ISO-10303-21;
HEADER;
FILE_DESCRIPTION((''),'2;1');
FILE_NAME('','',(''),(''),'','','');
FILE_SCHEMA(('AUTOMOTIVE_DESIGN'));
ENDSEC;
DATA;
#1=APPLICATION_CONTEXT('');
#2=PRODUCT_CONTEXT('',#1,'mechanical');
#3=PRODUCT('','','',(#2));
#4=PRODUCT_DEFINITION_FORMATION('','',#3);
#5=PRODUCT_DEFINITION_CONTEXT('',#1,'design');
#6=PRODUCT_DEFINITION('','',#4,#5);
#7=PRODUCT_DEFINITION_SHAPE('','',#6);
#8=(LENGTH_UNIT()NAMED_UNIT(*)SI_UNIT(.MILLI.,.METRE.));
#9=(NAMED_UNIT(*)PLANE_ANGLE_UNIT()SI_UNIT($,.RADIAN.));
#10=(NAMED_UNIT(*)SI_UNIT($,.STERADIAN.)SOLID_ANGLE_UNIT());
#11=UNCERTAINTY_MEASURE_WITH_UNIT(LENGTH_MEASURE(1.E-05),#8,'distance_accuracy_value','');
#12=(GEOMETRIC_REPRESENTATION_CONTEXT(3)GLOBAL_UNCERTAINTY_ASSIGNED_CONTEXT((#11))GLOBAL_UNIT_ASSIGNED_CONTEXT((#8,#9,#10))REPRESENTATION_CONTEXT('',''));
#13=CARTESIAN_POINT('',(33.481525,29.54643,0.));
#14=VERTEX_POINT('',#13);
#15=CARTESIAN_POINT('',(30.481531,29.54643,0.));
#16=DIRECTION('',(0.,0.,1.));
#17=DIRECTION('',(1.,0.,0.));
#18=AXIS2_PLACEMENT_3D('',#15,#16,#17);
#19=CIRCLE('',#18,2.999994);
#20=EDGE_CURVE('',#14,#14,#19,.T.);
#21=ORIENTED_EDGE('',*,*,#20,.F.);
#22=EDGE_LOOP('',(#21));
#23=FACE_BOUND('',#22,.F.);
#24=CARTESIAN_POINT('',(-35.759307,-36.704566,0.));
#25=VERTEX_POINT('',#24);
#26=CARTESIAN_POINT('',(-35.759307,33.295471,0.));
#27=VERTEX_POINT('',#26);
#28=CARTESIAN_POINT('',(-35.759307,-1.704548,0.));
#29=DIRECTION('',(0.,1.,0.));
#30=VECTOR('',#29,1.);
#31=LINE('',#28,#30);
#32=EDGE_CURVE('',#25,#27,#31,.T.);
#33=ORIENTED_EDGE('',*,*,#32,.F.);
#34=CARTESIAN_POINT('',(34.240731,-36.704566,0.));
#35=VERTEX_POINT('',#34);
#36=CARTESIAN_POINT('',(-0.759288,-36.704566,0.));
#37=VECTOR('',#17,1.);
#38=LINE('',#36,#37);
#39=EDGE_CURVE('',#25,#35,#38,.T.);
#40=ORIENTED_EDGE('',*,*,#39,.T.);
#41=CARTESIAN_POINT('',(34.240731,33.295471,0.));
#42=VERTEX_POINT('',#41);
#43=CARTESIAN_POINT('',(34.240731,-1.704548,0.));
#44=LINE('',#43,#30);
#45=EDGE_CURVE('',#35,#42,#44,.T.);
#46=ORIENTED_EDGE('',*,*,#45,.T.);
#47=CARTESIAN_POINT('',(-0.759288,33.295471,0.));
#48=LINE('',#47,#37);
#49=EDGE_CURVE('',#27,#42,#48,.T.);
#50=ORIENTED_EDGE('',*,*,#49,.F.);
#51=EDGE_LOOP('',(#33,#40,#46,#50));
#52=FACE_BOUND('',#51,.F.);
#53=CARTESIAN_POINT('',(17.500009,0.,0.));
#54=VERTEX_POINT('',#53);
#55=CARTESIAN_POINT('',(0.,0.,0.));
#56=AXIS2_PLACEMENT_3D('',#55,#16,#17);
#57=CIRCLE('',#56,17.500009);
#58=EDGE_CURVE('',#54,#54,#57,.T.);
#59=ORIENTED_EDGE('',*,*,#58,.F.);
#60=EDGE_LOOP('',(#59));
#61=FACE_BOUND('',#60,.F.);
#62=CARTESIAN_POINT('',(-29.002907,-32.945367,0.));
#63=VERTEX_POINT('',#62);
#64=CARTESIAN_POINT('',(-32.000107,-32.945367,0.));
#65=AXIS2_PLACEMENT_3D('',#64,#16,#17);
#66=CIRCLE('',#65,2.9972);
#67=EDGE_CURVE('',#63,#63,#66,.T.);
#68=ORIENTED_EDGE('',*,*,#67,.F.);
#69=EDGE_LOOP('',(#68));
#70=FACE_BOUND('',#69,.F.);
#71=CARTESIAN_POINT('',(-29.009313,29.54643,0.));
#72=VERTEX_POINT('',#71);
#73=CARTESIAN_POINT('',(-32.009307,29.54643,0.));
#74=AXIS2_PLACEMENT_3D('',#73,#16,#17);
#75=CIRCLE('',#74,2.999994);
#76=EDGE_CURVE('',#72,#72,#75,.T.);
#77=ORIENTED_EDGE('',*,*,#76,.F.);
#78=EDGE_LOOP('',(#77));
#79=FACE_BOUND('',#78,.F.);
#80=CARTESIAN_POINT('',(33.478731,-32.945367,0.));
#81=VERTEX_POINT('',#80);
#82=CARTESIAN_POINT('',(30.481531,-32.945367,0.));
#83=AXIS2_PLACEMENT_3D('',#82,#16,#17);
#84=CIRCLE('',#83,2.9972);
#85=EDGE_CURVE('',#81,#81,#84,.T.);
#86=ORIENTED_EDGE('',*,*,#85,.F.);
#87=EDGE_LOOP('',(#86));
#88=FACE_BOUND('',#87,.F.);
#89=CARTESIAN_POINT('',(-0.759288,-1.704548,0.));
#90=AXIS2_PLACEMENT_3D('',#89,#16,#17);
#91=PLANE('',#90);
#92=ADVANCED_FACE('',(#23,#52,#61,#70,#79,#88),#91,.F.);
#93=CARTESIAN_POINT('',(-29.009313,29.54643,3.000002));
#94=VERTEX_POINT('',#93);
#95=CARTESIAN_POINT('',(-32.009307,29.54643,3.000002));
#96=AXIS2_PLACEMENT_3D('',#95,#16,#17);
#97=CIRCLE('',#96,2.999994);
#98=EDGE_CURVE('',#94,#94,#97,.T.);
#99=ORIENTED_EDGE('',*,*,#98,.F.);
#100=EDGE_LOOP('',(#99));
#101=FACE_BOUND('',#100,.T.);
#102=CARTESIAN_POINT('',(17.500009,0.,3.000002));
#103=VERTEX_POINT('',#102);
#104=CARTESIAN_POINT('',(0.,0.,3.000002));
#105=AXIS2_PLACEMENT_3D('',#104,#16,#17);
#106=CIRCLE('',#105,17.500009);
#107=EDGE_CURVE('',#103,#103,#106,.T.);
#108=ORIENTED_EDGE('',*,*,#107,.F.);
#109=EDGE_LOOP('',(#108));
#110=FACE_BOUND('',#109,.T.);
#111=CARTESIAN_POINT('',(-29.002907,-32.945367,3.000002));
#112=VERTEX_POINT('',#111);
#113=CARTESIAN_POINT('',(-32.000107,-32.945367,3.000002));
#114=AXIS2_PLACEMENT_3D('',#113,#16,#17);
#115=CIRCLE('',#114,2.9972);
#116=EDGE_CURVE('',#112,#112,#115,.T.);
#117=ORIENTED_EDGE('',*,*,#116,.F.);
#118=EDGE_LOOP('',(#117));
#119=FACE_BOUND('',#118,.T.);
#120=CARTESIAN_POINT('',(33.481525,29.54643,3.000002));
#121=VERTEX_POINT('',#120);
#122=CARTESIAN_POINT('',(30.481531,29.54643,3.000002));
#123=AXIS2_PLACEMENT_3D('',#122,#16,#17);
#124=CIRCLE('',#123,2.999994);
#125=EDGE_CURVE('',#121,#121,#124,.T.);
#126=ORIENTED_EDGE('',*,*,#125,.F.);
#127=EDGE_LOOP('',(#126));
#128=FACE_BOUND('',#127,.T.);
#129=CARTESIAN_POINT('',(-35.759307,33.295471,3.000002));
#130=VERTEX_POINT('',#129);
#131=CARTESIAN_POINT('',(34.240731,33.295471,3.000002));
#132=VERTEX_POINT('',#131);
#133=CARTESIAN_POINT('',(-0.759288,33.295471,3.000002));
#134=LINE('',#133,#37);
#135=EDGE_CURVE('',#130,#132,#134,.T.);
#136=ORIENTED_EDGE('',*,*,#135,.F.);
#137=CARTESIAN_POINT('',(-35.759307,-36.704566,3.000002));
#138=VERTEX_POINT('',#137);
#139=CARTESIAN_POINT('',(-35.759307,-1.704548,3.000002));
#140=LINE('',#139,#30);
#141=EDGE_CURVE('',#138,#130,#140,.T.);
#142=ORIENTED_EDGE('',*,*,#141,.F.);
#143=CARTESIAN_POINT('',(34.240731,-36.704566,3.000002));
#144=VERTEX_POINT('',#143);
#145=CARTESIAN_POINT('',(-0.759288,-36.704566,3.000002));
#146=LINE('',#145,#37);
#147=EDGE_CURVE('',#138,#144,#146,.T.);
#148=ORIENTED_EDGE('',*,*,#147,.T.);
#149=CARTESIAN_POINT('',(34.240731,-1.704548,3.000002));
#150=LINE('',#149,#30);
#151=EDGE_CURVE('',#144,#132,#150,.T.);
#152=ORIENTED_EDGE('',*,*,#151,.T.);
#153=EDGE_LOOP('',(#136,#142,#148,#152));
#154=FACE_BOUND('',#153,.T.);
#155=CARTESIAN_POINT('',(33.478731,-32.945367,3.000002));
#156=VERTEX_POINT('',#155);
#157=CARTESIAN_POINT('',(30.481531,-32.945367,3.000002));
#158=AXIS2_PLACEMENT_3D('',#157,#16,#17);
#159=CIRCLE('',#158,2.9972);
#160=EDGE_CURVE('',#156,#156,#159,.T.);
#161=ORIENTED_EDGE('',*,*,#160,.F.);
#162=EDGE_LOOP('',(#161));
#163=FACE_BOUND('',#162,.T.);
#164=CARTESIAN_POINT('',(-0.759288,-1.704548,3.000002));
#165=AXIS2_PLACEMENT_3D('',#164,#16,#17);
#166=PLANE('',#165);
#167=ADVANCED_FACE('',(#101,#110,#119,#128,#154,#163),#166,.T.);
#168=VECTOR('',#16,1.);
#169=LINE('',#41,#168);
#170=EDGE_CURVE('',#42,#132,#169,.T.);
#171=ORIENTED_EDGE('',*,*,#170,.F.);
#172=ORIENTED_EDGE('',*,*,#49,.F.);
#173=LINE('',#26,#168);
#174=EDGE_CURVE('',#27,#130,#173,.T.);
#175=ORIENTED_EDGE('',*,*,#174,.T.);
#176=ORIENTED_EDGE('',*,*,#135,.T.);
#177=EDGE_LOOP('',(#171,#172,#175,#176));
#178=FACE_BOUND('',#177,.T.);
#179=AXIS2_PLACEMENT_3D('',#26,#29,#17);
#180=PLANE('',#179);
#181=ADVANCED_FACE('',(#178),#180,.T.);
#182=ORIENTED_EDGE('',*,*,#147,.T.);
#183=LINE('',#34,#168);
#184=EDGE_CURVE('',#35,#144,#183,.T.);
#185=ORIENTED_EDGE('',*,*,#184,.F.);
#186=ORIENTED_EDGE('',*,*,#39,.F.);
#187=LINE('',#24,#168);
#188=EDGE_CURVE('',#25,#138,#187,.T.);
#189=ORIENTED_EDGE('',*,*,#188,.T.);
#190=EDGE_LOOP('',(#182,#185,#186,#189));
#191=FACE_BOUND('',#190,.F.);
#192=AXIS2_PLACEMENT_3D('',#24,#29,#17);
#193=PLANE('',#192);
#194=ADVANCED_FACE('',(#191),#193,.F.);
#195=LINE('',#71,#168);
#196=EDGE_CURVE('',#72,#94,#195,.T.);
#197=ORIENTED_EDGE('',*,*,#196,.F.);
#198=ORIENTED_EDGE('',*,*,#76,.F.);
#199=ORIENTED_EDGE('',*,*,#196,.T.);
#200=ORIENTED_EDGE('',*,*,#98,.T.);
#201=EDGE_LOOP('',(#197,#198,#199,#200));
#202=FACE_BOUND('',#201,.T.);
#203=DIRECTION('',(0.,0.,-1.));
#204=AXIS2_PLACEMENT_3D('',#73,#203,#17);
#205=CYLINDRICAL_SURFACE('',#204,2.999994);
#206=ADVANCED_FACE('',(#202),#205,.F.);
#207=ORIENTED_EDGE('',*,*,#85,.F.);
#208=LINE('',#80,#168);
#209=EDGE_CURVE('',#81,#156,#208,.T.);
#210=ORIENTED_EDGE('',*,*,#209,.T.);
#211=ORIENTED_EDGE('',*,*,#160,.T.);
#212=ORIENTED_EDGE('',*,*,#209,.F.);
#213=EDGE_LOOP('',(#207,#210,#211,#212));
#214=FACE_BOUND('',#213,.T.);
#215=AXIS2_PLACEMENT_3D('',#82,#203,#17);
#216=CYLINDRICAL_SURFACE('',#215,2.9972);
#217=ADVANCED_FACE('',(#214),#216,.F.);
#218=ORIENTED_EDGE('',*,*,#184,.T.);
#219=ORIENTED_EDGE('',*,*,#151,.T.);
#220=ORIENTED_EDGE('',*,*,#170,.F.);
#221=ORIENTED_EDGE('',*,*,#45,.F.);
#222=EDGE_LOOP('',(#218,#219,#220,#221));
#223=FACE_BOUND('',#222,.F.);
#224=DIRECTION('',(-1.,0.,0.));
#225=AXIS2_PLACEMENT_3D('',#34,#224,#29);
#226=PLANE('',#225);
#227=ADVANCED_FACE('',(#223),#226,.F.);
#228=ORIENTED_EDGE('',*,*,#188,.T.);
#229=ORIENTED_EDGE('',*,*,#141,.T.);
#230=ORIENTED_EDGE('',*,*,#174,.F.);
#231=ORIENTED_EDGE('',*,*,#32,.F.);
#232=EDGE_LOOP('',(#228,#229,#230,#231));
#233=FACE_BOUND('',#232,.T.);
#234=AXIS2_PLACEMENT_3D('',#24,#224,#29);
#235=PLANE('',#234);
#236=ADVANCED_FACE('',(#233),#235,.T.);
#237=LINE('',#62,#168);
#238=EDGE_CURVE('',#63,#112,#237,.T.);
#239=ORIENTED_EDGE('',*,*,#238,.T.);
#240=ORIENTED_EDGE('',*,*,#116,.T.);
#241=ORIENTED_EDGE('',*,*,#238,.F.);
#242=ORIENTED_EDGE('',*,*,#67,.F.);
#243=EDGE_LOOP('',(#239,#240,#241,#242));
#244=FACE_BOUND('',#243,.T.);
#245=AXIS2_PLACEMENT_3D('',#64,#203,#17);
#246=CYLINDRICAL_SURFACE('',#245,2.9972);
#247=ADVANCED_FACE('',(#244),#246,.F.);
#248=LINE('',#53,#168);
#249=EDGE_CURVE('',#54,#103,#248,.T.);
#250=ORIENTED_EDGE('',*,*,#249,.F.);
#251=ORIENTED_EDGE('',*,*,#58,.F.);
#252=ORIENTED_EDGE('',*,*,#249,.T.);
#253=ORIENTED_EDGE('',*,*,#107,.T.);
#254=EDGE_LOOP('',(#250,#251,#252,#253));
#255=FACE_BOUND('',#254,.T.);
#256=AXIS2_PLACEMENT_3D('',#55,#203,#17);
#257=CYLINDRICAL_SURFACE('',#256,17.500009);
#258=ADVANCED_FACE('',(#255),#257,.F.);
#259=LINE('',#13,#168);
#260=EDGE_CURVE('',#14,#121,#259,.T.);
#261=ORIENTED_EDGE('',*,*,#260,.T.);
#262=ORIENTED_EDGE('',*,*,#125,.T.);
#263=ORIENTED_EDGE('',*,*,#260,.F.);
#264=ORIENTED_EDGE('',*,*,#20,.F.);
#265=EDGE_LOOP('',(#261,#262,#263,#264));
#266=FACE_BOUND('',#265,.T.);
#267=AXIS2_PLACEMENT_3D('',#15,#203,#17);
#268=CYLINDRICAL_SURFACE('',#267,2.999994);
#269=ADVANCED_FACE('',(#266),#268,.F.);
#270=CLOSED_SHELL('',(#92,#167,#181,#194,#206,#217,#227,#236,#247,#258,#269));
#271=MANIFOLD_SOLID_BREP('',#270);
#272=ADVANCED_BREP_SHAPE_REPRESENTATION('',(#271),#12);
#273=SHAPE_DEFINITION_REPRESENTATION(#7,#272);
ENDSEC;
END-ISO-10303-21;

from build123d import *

# Parameters (mm, degrees)
F0_W     = 70.000038
F0_H     = 70.000037
F0_R     = 2.9972
F0_R_2   = 2.999994
F0_R_3   = 17.500009
F1_DEPTH = 3.000002


with BuildPart() as f1:
    # F0 (on Top) → F1 (new body)
    with BuildSketch(Plane.XY):
        with Locations((-0.759288, -1.704548)):
            Rectangle(F0_W, F0_H)
        with Locations((-32.000107, -32.945367)):
            Circle(F0_R, mode=Mode.SUBTRACT)
        with Locations((30.481531, -32.945367)):
            Circle(F0_R, mode=Mode.SUBTRACT)
        with Locations((-32.009307, 29.54643)):
            Circle(F0_R_2, mode=Mode.SUBTRACT)
        Circle(F0_R_3, mode=Mode.SUBTRACT)
        with Locations((30.481531, 29.54643)):
            Circle(F0_R_2, mode=Mode.SUBTRACT)
    extrude(amount=F1_DEPTH)


solid = f1.part
